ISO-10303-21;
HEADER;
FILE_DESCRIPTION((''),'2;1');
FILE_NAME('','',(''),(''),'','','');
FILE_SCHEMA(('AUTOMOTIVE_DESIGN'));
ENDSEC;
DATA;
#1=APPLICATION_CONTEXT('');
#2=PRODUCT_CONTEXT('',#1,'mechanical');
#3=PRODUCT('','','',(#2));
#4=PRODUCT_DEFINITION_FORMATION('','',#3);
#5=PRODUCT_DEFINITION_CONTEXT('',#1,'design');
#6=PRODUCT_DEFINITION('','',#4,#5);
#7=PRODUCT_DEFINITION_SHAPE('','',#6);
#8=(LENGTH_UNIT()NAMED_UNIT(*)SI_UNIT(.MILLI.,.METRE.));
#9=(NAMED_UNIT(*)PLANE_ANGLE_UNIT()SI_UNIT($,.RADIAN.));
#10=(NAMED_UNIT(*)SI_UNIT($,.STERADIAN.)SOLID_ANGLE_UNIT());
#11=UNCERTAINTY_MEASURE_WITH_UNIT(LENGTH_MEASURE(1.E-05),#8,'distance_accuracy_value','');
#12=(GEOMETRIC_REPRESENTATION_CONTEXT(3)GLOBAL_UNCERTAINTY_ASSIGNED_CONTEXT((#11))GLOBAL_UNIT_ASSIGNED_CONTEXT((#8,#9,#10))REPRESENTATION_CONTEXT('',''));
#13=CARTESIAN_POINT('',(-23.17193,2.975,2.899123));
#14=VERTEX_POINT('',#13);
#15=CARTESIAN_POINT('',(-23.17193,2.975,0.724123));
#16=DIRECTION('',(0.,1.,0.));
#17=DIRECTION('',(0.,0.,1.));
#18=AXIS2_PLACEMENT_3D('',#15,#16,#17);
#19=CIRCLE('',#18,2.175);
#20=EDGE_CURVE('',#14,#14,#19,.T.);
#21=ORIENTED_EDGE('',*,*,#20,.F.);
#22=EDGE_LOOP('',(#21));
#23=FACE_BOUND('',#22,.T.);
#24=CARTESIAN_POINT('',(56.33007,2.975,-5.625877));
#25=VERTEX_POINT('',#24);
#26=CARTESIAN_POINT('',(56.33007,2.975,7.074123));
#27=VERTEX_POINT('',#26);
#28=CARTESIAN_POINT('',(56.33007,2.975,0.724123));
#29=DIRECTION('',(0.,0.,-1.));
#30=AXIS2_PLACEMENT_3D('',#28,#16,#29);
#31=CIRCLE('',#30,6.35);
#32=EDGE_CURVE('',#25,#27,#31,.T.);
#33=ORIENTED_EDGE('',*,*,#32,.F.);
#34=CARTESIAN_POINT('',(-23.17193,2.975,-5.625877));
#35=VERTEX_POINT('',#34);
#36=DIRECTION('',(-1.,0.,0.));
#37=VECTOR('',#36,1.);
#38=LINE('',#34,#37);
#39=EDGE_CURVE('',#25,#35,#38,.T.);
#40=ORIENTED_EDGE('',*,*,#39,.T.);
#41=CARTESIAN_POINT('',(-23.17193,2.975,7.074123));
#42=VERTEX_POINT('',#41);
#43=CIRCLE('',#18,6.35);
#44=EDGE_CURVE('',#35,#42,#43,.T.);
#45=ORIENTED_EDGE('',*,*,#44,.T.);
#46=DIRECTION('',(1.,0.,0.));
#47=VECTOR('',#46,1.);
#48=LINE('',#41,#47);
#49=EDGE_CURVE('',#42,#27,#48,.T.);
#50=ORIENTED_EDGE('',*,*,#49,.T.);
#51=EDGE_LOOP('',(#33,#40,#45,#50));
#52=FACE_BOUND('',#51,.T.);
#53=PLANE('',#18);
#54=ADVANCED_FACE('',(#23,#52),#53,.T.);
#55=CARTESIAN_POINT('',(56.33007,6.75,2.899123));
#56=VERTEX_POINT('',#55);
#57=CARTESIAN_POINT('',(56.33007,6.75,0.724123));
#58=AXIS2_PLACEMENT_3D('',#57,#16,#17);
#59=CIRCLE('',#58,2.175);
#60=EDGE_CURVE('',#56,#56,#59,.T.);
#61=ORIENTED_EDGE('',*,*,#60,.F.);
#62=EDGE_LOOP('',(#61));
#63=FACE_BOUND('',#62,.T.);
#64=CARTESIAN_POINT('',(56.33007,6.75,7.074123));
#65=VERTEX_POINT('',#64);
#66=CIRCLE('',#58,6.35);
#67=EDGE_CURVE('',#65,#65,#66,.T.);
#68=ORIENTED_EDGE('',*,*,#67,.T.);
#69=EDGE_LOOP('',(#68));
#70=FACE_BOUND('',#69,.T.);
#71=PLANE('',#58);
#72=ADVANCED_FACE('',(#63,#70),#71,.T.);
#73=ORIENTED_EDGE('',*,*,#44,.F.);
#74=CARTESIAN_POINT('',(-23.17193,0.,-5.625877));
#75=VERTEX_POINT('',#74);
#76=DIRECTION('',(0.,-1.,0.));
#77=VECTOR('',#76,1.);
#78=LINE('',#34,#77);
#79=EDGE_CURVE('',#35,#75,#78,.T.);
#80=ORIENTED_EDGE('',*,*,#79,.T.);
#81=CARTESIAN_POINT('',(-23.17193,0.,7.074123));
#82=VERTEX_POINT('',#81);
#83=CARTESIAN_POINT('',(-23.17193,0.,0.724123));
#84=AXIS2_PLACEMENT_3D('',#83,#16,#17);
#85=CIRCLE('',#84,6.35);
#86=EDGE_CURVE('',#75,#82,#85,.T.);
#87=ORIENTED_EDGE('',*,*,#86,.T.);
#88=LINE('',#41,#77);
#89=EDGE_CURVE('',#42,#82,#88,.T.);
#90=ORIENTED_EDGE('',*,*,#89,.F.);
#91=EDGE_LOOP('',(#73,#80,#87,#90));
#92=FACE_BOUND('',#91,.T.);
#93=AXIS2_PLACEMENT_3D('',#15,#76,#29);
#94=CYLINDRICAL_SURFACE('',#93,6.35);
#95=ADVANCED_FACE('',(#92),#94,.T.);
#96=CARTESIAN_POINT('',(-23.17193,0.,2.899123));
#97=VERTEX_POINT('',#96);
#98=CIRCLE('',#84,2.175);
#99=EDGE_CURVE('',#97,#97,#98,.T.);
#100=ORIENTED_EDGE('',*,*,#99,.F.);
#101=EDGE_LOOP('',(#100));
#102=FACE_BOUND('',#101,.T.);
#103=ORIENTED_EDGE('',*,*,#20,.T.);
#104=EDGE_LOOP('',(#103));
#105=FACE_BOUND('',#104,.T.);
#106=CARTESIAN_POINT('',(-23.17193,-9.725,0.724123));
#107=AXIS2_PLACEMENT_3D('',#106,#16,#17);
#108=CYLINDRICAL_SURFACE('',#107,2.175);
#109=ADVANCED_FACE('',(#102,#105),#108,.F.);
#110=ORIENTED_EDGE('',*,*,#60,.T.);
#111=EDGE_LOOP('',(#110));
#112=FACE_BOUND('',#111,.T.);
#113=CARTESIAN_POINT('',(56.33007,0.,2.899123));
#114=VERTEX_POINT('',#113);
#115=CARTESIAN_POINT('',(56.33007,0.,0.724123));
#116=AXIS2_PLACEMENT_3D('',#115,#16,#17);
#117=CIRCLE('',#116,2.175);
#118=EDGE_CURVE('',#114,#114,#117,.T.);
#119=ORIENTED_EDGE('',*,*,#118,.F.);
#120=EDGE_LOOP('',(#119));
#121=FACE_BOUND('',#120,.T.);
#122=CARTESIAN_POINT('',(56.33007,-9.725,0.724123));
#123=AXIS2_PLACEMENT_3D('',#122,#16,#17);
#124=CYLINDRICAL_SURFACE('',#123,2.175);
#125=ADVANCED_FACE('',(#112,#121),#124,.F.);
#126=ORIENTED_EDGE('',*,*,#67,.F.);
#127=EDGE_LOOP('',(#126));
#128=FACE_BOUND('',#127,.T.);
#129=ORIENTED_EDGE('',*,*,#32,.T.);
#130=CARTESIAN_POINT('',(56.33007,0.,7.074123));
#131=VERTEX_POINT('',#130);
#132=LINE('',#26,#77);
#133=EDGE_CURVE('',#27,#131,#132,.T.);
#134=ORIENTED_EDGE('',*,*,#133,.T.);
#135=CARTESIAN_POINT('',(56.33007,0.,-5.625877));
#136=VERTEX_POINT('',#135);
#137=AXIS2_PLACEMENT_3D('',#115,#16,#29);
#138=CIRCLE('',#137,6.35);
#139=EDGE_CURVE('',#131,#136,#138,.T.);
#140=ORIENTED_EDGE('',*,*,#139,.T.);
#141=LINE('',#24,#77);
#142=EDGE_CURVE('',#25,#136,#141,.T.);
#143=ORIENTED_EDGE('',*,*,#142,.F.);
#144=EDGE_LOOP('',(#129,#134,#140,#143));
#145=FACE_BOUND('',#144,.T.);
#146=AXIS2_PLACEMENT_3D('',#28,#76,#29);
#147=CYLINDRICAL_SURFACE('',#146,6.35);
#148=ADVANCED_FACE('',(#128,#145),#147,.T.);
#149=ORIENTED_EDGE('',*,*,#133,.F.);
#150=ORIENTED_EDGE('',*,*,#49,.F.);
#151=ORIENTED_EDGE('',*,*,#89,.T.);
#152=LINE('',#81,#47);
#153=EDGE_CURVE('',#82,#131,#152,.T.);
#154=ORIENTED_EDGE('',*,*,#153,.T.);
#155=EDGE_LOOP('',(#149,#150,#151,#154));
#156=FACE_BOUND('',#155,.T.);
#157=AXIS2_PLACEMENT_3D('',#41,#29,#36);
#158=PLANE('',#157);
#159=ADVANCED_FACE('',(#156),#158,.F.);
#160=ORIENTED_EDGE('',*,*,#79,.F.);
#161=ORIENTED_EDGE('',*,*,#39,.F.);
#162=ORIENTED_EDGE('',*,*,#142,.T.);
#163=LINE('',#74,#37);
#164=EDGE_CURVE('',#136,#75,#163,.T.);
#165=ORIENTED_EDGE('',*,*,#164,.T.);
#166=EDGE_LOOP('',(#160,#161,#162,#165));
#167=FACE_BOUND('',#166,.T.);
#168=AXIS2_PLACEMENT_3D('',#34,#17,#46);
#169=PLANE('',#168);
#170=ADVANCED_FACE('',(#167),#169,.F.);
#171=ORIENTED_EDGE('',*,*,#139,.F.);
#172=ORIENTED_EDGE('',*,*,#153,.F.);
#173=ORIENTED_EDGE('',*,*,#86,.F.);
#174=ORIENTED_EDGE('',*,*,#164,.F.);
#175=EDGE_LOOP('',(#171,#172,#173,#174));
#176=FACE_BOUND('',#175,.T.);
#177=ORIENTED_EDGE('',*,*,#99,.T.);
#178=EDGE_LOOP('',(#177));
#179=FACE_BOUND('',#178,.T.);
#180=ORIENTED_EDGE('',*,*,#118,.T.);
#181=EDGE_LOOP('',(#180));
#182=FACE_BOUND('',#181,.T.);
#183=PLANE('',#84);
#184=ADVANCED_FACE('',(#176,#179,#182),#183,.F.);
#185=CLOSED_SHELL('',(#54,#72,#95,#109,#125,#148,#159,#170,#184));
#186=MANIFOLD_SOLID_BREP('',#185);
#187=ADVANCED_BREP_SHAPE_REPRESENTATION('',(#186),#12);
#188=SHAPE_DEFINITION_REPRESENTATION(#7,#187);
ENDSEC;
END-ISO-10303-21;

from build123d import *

# Parameters (mm, degrees)
BOSS_EXTRUDE1_DEPTH = 2.975
SKETCH2_R           = 2.175
SKETCH2_R_2         = 2.175000000000007
CUT_EXTRUDE1_DEPTH  = 12.7
SKETCH3_R           = 2.175000000000007
BOSS_EXTRUDE2_DEPTH = 3.7750000000000004


with BuildPart() as part:
    # Sketch1 → Boss-Extrude1 (new body)
    with BuildSketch(Plane(origin=(0, 0, 0), x_dir=(1, 0, 0), z_dir=(0, 1, 0))):
        with BuildLine():
            Line((-23.171929824561392, 5.625877192982455), (56.3300701754386, 5.625877192982454))
            ThreePointArc((56.3300701754386, 5.625877192982454), (62.6800701754386, -0.7241228070175446), (56.3300701754386, -7.074122807017544))
            Line((56.3300701754386, -7.074122807017544), (-23.171929824561392, -7.074122807017544))
            ThreePointArc((-23.171929824561392, -7.074122807017544), (-29.52192982456139, -0.7241228070175436), (-23.171929824561392, 5.625877192982455))
        make_face()
    extrude(amount=BOSS_EXTRUDE1_DEPTH)

    # Sketch2 → Cut-Extrude1 (cut)
    with BuildSketch(Plane(origin=(0, 2.975, 0), x_dir=(1, 0, 0), z_dir=(0, 1, 0))):
        with Locations(Location((-23.171929824561392, -0.7241228070175446, 0), (0, 0, 270))):
            Circle(SKETCH2_R)
        with Locations(Location((56.3300701754386, -0.7241228070175446, 0), (0, 0, 270))):
            Circle(SKETCH2_R_2)
    extrude(amount=-CUT_EXTRUDE1_DEPTH, mode=Mode.SUBTRACT)

    # Sketch3 → Boss-Extrude2 (add)
    with BuildSketch(Plane(origin=(0, 2.975, 0), x_dir=(1, 0, 0), z_dir=(0, 1, 0))):
        with BuildLine():
            ThreePointArc((56.3300701754386, 5.625877192982454), (62.6800701754386, -0.7241228070175451), (56.3300701754386, -7.074122807017544))
            ThreePointArc((56.3300701754386, -7.074122807017544), (49.9800701754386, -0.7241228070175443), (56.3300701754386, 5.625877192982454))
        make_face()
        with Locations(Location((56.3300701754386, -0.7241228070175446, 0), (0, 0, 270))):
            Circle(SKETCH3_R, mode=Mode.SUBTRACT)
    extrude(amount=BOSS_EXTRUDE2_DEPTH)


solid = part.part
